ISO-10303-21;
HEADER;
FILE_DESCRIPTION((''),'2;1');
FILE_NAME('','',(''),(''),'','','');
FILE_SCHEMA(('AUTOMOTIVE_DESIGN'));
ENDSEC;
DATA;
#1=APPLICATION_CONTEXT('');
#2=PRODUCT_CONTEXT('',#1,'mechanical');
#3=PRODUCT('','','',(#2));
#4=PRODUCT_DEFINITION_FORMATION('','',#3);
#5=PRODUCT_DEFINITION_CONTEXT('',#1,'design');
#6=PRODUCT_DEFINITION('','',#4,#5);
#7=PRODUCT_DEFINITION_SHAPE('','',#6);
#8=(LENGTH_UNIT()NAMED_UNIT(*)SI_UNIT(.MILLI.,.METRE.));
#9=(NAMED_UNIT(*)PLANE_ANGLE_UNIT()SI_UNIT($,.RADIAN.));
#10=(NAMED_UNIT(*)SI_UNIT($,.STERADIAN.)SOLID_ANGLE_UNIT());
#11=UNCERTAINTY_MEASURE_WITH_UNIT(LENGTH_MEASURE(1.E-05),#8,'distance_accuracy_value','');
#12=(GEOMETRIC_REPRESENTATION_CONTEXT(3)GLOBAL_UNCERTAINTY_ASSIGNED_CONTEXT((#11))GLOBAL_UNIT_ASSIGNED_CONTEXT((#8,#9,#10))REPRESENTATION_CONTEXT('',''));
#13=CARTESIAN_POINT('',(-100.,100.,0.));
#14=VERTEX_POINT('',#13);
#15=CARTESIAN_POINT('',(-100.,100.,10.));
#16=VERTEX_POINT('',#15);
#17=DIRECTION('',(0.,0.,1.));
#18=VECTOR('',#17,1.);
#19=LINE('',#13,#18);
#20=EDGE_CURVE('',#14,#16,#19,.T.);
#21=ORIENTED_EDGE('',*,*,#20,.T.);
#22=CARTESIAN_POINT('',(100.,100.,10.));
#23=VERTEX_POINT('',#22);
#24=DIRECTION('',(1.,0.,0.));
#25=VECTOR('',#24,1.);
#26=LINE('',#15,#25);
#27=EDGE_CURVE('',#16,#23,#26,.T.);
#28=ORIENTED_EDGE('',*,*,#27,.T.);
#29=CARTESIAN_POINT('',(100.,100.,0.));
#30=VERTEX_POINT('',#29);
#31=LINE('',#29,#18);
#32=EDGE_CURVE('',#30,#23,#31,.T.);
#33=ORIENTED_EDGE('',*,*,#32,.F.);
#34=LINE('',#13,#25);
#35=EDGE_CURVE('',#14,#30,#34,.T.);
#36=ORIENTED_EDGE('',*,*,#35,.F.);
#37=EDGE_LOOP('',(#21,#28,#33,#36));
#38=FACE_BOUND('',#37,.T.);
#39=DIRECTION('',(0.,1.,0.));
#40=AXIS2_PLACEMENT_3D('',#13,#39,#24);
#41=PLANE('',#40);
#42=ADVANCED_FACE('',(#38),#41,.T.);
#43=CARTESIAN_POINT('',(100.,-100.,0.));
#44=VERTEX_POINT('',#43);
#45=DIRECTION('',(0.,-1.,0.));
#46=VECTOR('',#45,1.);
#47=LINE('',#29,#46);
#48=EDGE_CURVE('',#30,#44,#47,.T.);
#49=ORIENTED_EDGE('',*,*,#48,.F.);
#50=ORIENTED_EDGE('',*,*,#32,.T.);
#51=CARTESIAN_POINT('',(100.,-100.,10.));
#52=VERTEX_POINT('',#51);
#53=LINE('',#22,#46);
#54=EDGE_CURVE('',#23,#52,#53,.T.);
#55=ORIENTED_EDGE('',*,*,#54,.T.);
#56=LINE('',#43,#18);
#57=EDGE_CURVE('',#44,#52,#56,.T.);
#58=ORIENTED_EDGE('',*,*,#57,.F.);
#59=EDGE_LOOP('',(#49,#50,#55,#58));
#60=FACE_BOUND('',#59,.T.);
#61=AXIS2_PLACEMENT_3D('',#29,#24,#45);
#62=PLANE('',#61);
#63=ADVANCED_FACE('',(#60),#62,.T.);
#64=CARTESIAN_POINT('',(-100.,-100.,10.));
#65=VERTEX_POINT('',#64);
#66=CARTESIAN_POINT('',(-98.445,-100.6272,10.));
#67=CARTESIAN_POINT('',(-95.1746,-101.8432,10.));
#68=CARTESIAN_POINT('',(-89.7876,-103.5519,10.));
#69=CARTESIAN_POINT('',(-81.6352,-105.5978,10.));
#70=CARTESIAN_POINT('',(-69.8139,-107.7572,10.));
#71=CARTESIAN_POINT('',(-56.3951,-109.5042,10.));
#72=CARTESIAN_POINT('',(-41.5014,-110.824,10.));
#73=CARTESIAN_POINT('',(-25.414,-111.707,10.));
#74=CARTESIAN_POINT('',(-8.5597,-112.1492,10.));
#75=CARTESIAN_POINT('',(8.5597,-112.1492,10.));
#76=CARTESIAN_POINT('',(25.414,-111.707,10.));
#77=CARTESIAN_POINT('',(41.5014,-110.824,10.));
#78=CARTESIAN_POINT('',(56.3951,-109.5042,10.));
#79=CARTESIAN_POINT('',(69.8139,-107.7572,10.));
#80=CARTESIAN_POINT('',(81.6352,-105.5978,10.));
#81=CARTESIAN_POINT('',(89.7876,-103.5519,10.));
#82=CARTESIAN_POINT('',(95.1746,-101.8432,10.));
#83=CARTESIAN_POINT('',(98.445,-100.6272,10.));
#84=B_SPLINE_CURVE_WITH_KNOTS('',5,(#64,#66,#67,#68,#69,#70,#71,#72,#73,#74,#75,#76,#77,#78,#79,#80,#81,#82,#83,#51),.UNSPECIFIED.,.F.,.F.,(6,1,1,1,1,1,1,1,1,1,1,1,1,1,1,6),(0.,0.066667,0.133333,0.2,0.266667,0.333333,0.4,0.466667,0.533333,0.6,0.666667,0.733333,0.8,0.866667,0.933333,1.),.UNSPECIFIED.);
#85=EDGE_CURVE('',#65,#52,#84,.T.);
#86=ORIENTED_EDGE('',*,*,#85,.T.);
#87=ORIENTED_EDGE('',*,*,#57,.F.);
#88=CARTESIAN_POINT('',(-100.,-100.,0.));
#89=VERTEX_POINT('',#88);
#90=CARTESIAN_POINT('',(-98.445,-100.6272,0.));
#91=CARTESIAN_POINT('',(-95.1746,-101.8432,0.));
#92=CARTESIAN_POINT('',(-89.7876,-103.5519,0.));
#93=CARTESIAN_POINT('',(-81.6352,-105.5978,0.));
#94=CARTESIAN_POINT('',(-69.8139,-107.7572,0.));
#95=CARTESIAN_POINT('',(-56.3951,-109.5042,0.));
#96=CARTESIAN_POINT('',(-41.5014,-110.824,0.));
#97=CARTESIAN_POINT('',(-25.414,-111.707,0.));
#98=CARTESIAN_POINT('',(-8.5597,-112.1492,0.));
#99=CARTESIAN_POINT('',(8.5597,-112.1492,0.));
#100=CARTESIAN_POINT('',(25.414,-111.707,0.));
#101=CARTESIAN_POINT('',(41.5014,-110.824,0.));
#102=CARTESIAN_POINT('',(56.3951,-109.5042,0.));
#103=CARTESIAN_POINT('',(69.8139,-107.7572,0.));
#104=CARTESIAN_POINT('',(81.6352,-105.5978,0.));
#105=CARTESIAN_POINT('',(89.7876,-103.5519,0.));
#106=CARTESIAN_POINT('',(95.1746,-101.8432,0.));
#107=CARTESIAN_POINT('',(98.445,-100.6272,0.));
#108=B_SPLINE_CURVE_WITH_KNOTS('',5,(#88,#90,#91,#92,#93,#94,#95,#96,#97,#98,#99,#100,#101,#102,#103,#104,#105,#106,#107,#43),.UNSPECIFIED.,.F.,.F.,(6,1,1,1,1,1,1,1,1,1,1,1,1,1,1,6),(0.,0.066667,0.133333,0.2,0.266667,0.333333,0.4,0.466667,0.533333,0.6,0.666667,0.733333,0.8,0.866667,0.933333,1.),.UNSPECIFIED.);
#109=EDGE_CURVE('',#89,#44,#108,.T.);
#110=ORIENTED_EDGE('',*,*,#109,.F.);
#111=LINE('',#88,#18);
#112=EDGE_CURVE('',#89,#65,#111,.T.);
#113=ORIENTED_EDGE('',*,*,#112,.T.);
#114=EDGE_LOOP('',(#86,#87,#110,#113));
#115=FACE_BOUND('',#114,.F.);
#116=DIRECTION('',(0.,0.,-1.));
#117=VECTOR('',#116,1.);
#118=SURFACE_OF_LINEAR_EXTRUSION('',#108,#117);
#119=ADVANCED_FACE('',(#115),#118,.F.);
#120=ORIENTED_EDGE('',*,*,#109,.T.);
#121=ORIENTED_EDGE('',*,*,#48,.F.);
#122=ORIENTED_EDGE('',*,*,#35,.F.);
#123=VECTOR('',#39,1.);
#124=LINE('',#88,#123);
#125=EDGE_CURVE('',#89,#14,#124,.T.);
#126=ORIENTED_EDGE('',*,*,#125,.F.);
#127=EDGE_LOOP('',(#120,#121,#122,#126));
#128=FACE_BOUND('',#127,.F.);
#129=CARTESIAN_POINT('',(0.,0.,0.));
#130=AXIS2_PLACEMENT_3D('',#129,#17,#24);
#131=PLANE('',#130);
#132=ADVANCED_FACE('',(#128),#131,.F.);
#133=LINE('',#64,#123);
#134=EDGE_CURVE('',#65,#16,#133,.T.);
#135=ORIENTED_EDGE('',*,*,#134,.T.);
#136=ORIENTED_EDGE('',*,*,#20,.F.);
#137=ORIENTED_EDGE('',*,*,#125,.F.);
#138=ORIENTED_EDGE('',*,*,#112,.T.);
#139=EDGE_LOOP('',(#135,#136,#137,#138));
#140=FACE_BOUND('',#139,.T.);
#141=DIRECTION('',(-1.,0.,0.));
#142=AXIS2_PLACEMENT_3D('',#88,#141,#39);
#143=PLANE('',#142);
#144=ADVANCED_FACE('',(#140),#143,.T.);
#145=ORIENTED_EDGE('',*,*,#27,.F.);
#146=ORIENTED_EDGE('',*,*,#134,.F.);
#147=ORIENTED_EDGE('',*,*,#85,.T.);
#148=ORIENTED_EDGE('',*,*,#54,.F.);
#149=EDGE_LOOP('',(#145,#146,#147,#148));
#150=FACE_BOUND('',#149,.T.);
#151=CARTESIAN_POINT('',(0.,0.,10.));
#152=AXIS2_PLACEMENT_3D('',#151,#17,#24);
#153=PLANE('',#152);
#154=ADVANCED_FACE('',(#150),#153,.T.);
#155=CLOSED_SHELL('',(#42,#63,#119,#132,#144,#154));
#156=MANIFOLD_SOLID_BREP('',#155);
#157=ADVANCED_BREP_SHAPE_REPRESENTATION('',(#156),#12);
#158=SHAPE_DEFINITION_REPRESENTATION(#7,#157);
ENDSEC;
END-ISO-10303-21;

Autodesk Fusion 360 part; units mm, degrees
sketch "Sketch1" plane through (0, 0, 0) normal (0, 0, 1) x (1, 0, 0)
  line L0 (-100, 100) -> (100, 100)
  line L1 (100, 100) -> (100, -100)
  line L2 (-100, -100) -> (-100, 100)
  spline S0 degree 5 poles (-100, -100) (-98.445, -100.6272) (-95.1746, -101.8432) (-89.7876, -103.5519) (-81.6352, -105.5978) (-69.8139, -107.7572) (-56.3951, -109.5042) (-41.5014, -110.824) (-25.414, -111.707) (-8.5597, -112.1492) (8.5597, -112.1492) (25.414, -111.707) (41.5014, -110.824) (56.3951, -109.5042) (69.8139, -107.7572) (81.6352, -105.5978) (89.7876, -103.5519) (95.1746, -101.8432) (98.445, -100.6272) (100, -100) knots 0 0 0 0 0 0 0.066667 0.133333 0.2 0.266667 0.333333 0.4 0.466667 0.533333 0.6 0.666667 0.733333 0.8 0.866667 0.933333 1 1 1 1 1 1
  point P0 (-50, -110)
  point P1 (50, -110)
extrude "Extrude1" add sketch "Sketch1" along normal blind 10
